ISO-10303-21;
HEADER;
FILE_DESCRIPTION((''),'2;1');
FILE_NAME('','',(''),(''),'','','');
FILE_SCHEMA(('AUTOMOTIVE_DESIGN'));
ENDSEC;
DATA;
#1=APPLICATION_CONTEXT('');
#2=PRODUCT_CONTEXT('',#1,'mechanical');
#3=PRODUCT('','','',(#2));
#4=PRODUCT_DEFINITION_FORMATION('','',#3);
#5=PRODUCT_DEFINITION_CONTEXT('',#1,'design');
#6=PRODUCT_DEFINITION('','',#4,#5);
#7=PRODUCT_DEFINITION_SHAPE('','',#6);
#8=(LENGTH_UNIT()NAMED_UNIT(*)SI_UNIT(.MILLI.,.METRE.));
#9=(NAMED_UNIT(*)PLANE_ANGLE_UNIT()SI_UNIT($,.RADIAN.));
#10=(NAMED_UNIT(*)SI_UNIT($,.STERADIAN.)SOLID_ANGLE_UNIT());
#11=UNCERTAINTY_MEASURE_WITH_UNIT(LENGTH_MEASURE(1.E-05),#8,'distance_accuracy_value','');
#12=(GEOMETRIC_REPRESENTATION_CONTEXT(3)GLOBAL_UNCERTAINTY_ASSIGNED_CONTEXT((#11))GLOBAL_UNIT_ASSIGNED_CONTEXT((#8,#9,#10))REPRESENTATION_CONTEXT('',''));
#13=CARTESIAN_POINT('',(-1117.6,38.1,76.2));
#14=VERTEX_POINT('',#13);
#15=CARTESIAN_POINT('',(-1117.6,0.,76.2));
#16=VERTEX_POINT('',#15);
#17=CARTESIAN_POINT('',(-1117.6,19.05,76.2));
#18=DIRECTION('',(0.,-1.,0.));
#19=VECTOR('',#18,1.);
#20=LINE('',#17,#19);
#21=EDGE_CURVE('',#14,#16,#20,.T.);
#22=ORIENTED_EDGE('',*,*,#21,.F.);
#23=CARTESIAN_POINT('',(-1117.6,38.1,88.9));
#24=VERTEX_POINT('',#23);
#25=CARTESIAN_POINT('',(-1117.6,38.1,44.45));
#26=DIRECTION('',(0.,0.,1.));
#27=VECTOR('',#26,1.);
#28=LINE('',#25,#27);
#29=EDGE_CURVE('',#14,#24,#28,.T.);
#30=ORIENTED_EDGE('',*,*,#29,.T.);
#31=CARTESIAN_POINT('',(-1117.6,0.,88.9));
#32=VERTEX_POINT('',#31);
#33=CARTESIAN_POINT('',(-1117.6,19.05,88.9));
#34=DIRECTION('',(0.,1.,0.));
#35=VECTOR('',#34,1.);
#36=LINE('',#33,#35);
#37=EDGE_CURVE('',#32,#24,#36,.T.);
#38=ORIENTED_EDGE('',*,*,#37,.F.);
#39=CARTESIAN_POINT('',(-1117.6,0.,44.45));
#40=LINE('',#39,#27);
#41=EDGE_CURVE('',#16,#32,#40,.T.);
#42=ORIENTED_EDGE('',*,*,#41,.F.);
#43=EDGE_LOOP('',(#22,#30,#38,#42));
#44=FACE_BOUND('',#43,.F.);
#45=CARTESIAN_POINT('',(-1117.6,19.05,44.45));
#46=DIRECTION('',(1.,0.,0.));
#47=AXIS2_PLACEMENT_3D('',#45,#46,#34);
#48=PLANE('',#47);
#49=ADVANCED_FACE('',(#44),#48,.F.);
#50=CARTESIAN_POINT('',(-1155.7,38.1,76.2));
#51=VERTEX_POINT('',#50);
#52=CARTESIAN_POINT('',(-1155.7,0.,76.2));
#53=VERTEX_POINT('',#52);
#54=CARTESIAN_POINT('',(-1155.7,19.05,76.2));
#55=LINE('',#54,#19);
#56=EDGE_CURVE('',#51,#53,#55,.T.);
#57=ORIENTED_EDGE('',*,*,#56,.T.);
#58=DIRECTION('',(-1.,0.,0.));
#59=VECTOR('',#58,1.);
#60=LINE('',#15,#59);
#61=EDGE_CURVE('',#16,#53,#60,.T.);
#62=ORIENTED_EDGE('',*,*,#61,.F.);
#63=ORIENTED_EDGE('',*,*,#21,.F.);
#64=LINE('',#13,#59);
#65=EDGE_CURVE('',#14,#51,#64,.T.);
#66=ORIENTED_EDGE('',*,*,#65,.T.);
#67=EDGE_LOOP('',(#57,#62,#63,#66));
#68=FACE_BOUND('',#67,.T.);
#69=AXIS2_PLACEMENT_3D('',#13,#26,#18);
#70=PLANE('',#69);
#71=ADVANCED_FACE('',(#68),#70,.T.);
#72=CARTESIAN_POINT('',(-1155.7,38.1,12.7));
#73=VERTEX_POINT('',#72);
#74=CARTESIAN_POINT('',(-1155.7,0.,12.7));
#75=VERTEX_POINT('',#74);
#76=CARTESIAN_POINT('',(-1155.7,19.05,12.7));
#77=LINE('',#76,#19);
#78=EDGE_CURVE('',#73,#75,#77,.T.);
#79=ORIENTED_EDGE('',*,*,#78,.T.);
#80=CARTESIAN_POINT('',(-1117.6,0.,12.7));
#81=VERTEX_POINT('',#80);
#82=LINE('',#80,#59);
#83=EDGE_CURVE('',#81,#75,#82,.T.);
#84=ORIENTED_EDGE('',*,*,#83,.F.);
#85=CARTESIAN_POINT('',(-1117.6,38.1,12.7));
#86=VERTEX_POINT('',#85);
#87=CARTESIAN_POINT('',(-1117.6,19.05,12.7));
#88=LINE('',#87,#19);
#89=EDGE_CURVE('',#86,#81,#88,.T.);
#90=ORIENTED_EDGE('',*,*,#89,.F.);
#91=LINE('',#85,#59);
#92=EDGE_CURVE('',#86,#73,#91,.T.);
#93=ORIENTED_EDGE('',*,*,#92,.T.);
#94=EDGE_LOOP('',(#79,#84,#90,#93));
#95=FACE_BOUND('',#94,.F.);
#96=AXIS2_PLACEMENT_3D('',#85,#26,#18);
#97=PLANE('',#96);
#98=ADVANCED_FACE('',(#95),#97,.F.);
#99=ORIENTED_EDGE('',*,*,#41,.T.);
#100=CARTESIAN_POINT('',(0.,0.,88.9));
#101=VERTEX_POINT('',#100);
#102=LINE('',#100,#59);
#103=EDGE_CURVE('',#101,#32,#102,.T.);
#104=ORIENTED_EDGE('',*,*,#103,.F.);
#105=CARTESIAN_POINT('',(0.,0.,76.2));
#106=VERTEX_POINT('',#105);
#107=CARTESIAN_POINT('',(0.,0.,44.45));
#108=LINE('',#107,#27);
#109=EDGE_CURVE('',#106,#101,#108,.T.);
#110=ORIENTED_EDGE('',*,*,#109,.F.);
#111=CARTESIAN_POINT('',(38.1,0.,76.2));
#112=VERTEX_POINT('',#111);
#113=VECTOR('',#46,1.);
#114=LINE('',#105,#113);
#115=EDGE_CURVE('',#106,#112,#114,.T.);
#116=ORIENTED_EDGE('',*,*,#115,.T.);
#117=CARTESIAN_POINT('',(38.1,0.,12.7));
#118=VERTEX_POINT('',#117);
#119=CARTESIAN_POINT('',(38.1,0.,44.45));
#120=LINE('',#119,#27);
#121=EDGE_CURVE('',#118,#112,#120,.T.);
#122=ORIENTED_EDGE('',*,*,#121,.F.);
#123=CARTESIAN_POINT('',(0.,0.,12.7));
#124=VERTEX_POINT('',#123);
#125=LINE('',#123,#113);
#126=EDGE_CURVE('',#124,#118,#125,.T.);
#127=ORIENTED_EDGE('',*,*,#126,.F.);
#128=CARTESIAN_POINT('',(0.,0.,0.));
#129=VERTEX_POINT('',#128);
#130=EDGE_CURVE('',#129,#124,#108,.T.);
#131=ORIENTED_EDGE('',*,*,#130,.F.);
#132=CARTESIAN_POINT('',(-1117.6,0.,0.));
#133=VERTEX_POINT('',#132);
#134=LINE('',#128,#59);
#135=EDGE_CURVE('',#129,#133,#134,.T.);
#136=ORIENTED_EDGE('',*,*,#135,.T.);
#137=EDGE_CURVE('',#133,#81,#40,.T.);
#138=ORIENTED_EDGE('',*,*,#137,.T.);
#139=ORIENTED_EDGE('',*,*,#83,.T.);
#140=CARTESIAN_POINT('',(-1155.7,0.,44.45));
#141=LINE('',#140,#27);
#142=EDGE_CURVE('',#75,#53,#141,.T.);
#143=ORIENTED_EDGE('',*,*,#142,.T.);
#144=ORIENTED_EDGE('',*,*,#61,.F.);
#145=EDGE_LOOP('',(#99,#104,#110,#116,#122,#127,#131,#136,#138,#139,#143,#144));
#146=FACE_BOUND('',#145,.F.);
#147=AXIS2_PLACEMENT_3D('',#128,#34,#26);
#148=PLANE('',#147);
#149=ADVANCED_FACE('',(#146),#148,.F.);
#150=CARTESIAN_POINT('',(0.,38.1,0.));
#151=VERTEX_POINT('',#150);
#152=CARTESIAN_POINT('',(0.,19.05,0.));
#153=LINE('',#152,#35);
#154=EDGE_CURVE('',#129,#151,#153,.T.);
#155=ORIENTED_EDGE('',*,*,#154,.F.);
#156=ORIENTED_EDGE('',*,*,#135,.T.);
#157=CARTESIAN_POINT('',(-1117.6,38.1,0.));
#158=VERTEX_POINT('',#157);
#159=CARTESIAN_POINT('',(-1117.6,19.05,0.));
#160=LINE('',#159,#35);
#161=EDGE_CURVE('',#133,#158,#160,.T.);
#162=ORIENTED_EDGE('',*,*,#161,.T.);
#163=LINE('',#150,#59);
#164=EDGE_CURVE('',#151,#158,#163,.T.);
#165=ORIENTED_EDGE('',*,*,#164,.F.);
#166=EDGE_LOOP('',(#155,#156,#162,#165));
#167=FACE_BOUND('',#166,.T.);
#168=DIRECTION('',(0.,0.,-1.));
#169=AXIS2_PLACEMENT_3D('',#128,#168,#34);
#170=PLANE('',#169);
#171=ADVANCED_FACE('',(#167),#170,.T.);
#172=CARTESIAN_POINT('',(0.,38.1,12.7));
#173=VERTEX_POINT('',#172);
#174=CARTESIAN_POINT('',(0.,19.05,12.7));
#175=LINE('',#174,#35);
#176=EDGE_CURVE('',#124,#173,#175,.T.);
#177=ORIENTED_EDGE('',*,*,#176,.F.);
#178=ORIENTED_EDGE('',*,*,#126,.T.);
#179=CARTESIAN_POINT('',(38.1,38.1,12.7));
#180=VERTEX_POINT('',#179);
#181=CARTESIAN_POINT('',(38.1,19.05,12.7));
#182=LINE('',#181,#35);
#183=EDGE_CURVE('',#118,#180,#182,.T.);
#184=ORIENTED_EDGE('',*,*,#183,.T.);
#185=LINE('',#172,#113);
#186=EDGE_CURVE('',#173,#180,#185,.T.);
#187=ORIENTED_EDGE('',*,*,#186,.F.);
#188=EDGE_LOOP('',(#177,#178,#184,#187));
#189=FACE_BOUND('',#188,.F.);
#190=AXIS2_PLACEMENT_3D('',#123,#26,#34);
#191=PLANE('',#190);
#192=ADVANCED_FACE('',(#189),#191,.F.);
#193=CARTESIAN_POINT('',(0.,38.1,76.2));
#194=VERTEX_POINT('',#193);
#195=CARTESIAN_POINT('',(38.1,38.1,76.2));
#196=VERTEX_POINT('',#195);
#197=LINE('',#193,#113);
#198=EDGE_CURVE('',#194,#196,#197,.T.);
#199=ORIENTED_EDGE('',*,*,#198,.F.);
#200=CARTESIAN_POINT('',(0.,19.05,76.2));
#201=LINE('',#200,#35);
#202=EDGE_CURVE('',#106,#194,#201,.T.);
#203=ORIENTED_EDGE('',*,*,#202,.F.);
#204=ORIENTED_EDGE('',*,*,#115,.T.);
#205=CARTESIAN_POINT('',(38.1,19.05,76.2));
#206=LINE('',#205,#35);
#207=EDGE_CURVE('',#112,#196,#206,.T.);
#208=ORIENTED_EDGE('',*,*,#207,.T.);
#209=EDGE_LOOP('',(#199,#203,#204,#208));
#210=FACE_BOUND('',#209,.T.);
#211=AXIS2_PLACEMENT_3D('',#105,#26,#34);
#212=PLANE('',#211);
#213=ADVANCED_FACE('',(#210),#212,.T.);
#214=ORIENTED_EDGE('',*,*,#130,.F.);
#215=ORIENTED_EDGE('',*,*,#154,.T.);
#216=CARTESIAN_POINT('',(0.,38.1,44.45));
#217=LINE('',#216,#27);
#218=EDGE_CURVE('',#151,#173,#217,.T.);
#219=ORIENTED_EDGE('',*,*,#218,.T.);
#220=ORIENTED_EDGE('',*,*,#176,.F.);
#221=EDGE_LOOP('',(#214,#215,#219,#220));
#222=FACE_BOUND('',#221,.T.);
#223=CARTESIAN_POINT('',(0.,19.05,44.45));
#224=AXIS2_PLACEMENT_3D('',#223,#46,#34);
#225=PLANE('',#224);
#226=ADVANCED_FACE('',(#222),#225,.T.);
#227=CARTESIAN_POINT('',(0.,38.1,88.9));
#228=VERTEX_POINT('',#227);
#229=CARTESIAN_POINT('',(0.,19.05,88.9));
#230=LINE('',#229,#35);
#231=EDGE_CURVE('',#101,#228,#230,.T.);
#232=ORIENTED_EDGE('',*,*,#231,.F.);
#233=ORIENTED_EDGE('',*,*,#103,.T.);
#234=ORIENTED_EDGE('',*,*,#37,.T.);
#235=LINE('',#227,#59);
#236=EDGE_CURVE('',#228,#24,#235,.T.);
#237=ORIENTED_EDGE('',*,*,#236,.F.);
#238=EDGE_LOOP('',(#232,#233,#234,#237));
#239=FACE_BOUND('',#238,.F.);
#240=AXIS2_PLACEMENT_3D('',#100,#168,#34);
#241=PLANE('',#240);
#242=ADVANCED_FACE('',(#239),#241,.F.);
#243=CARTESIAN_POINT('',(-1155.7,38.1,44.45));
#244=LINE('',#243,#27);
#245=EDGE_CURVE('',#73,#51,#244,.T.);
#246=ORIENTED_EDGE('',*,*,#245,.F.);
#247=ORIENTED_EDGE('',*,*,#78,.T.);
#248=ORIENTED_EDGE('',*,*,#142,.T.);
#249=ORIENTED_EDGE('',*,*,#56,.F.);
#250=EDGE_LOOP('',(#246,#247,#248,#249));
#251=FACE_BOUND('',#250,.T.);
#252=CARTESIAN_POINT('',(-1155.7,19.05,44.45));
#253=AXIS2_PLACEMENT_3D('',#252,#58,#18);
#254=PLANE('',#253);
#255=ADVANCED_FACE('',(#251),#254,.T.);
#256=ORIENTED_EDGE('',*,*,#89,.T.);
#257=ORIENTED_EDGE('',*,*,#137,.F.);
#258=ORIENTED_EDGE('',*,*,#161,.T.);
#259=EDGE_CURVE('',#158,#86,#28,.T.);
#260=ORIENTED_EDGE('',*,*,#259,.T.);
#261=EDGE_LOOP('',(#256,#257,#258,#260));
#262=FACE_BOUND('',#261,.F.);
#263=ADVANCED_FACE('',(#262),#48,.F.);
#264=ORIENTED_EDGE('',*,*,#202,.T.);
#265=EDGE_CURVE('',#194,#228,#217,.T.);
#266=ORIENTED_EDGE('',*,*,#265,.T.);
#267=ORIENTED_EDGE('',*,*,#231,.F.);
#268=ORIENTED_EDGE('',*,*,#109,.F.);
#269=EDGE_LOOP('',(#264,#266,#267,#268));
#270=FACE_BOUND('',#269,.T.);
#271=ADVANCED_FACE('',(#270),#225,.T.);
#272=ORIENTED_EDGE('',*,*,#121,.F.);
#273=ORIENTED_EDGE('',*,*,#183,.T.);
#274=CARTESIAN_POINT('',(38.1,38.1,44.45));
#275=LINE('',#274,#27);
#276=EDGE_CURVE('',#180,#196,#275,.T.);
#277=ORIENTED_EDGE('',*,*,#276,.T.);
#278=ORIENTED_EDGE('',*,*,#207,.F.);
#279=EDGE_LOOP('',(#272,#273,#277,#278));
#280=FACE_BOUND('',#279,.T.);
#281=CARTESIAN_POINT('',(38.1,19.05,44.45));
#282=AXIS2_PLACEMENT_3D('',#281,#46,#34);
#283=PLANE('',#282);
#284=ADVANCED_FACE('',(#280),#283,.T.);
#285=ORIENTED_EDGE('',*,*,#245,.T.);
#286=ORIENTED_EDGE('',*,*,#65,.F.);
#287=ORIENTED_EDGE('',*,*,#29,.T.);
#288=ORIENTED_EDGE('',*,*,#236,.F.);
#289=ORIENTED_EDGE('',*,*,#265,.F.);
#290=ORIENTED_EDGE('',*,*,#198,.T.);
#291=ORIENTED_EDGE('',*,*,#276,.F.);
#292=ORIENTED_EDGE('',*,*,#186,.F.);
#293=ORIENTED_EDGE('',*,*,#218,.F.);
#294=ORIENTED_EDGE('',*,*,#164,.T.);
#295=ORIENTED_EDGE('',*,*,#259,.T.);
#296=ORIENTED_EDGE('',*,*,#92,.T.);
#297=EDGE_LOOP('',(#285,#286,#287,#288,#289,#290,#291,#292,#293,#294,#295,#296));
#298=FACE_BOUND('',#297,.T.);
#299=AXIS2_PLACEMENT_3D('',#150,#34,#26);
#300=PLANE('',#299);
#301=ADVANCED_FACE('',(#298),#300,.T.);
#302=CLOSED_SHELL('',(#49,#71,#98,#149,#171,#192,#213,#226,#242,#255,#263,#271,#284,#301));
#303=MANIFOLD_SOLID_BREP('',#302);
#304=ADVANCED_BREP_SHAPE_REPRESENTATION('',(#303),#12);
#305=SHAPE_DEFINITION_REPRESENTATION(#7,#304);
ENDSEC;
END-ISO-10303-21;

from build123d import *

# Parameters (mm, degrees)
F0_W     = 38.1
F0_H     = 88.9
F1_DEPTH = 1117.6
F2_W     = 38.1
F2_H     = 63.5
F3_DEPTH = 38.1
F4_W     = 38.1
F4_H     = 63.5
F5_DEPTH = 38.1


with BuildPart() as f1:
    # F0 (on Right) → F1 (new body)
    with BuildSketch(Plane.YZ):
        with Locations((19.05, 44.45)):
            Rectangle(F0_W, F0_H)
    extrude(amount=-F1_DEPTH)

    # F2 (on face) → F3 (join)
    with BuildSketch(Plane.YZ):
        with Locations((19.05, 44.45)):
            Rectangle(F2_W, F2_H)
    extrude(amount=F3_DEPTH)

    # F4 (on face) → F5 (join)
    with BuildSketch(Plane(origin=(-1117.6, 0, 0), x_dir=(0, -1, 0), z_dir=(-1, 0, 0))):
        with Locations((-19.05, 44.45)):
            Rectangle(F4_W, F4_H)
    extrude(amount=F5_DEPTH)


solid = f1.part
